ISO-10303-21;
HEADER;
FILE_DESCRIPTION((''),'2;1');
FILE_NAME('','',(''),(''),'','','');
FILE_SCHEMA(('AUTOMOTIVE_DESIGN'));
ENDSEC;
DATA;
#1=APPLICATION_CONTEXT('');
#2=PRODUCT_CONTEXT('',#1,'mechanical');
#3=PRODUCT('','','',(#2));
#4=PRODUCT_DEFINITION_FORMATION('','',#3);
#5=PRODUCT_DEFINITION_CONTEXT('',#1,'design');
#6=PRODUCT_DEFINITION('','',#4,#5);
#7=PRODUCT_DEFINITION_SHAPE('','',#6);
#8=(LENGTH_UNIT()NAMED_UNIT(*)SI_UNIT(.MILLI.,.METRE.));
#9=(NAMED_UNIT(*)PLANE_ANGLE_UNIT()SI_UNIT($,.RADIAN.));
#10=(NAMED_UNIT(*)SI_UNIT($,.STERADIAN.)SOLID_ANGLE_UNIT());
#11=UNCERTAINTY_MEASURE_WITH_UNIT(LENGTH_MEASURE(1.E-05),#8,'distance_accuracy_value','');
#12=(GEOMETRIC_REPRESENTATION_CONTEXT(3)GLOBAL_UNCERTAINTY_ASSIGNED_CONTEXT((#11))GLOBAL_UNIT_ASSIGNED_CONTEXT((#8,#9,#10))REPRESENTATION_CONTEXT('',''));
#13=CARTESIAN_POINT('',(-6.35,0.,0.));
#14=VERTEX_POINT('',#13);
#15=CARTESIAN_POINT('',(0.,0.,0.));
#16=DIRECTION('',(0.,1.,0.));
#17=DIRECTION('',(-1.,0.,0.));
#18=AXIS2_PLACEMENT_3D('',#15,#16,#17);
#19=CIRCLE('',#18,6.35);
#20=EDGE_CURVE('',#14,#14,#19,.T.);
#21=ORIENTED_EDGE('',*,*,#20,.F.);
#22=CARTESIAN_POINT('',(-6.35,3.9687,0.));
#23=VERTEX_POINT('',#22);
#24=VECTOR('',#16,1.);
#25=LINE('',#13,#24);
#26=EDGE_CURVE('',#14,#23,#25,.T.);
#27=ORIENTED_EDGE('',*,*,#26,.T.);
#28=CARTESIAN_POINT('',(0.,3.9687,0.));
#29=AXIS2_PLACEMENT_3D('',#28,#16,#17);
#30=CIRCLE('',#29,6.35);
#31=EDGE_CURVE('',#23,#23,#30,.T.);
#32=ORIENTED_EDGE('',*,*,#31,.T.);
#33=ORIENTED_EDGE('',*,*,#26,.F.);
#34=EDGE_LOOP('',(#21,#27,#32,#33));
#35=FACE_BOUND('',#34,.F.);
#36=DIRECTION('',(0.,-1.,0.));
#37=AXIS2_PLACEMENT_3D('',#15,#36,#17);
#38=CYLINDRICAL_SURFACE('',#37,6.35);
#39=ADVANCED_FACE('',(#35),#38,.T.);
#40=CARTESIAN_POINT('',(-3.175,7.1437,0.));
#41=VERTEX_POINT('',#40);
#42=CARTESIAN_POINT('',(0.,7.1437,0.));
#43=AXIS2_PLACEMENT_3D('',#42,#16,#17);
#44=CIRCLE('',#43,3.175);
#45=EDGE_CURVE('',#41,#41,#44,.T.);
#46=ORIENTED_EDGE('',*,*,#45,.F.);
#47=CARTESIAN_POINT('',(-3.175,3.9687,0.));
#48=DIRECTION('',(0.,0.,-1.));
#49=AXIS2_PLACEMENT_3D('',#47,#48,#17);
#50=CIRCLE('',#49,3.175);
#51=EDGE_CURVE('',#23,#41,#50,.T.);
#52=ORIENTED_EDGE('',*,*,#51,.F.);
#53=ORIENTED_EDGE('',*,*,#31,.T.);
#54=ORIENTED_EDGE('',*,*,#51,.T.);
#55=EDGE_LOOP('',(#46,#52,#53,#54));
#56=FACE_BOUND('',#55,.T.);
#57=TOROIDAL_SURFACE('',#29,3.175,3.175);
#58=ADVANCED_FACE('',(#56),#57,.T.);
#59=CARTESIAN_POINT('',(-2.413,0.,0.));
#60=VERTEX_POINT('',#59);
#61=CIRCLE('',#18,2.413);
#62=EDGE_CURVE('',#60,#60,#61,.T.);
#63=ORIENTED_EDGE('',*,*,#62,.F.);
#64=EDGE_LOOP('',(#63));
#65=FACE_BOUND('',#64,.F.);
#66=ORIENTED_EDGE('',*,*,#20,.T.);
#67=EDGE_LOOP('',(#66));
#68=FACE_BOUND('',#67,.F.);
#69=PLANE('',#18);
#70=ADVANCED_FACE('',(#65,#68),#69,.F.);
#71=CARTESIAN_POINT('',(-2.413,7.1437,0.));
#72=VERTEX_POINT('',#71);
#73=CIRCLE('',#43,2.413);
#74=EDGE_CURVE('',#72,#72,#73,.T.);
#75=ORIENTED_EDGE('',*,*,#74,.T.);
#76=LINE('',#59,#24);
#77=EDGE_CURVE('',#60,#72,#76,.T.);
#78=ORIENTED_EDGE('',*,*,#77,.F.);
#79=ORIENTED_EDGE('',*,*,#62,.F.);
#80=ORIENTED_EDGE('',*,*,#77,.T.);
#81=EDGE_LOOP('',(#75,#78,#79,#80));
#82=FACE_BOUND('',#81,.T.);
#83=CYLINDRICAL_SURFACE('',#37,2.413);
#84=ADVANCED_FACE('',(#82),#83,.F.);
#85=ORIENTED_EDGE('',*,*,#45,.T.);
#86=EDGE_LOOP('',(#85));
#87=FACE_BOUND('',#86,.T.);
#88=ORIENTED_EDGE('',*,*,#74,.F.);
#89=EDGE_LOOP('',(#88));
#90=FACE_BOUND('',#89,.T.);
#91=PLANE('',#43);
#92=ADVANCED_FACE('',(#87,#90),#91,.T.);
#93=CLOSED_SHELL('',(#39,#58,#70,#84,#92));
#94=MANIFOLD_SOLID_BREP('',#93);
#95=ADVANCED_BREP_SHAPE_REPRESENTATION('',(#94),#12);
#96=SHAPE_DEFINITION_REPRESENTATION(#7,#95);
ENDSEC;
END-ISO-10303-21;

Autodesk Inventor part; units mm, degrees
ref_plane "YZ Plane" through (0, 0, 0) normal (1, 0, 0) x (0, 1, 0)
ref_plane "XZ Plane" through (0, 0, 0) normal (0, 1, 0) x (-1, 0, 0)
ref_plane "XY Plane" through (0, 0, 0) normal (0, 0, 1) x (1, 0, 0)
sketch "Sketch1" plane through (0, 0, 0) normal (0, 1, 0) x (-1, 0, 0)
  circle A0 centre (0, 0) radius 2.413
  circle A1 centre (0, 0) radius 6.35
  dimension "d0" = 4.826
  dimension "d1" = 12.7
extrude "Extrusion1" add sketch "Sketch1" along normal blind 7.1437
fillet "Fillet1" radius 3.175 1 edges at (6.35, 7.1437, 0)
properties part number "Nub" material "UHMW, White"
